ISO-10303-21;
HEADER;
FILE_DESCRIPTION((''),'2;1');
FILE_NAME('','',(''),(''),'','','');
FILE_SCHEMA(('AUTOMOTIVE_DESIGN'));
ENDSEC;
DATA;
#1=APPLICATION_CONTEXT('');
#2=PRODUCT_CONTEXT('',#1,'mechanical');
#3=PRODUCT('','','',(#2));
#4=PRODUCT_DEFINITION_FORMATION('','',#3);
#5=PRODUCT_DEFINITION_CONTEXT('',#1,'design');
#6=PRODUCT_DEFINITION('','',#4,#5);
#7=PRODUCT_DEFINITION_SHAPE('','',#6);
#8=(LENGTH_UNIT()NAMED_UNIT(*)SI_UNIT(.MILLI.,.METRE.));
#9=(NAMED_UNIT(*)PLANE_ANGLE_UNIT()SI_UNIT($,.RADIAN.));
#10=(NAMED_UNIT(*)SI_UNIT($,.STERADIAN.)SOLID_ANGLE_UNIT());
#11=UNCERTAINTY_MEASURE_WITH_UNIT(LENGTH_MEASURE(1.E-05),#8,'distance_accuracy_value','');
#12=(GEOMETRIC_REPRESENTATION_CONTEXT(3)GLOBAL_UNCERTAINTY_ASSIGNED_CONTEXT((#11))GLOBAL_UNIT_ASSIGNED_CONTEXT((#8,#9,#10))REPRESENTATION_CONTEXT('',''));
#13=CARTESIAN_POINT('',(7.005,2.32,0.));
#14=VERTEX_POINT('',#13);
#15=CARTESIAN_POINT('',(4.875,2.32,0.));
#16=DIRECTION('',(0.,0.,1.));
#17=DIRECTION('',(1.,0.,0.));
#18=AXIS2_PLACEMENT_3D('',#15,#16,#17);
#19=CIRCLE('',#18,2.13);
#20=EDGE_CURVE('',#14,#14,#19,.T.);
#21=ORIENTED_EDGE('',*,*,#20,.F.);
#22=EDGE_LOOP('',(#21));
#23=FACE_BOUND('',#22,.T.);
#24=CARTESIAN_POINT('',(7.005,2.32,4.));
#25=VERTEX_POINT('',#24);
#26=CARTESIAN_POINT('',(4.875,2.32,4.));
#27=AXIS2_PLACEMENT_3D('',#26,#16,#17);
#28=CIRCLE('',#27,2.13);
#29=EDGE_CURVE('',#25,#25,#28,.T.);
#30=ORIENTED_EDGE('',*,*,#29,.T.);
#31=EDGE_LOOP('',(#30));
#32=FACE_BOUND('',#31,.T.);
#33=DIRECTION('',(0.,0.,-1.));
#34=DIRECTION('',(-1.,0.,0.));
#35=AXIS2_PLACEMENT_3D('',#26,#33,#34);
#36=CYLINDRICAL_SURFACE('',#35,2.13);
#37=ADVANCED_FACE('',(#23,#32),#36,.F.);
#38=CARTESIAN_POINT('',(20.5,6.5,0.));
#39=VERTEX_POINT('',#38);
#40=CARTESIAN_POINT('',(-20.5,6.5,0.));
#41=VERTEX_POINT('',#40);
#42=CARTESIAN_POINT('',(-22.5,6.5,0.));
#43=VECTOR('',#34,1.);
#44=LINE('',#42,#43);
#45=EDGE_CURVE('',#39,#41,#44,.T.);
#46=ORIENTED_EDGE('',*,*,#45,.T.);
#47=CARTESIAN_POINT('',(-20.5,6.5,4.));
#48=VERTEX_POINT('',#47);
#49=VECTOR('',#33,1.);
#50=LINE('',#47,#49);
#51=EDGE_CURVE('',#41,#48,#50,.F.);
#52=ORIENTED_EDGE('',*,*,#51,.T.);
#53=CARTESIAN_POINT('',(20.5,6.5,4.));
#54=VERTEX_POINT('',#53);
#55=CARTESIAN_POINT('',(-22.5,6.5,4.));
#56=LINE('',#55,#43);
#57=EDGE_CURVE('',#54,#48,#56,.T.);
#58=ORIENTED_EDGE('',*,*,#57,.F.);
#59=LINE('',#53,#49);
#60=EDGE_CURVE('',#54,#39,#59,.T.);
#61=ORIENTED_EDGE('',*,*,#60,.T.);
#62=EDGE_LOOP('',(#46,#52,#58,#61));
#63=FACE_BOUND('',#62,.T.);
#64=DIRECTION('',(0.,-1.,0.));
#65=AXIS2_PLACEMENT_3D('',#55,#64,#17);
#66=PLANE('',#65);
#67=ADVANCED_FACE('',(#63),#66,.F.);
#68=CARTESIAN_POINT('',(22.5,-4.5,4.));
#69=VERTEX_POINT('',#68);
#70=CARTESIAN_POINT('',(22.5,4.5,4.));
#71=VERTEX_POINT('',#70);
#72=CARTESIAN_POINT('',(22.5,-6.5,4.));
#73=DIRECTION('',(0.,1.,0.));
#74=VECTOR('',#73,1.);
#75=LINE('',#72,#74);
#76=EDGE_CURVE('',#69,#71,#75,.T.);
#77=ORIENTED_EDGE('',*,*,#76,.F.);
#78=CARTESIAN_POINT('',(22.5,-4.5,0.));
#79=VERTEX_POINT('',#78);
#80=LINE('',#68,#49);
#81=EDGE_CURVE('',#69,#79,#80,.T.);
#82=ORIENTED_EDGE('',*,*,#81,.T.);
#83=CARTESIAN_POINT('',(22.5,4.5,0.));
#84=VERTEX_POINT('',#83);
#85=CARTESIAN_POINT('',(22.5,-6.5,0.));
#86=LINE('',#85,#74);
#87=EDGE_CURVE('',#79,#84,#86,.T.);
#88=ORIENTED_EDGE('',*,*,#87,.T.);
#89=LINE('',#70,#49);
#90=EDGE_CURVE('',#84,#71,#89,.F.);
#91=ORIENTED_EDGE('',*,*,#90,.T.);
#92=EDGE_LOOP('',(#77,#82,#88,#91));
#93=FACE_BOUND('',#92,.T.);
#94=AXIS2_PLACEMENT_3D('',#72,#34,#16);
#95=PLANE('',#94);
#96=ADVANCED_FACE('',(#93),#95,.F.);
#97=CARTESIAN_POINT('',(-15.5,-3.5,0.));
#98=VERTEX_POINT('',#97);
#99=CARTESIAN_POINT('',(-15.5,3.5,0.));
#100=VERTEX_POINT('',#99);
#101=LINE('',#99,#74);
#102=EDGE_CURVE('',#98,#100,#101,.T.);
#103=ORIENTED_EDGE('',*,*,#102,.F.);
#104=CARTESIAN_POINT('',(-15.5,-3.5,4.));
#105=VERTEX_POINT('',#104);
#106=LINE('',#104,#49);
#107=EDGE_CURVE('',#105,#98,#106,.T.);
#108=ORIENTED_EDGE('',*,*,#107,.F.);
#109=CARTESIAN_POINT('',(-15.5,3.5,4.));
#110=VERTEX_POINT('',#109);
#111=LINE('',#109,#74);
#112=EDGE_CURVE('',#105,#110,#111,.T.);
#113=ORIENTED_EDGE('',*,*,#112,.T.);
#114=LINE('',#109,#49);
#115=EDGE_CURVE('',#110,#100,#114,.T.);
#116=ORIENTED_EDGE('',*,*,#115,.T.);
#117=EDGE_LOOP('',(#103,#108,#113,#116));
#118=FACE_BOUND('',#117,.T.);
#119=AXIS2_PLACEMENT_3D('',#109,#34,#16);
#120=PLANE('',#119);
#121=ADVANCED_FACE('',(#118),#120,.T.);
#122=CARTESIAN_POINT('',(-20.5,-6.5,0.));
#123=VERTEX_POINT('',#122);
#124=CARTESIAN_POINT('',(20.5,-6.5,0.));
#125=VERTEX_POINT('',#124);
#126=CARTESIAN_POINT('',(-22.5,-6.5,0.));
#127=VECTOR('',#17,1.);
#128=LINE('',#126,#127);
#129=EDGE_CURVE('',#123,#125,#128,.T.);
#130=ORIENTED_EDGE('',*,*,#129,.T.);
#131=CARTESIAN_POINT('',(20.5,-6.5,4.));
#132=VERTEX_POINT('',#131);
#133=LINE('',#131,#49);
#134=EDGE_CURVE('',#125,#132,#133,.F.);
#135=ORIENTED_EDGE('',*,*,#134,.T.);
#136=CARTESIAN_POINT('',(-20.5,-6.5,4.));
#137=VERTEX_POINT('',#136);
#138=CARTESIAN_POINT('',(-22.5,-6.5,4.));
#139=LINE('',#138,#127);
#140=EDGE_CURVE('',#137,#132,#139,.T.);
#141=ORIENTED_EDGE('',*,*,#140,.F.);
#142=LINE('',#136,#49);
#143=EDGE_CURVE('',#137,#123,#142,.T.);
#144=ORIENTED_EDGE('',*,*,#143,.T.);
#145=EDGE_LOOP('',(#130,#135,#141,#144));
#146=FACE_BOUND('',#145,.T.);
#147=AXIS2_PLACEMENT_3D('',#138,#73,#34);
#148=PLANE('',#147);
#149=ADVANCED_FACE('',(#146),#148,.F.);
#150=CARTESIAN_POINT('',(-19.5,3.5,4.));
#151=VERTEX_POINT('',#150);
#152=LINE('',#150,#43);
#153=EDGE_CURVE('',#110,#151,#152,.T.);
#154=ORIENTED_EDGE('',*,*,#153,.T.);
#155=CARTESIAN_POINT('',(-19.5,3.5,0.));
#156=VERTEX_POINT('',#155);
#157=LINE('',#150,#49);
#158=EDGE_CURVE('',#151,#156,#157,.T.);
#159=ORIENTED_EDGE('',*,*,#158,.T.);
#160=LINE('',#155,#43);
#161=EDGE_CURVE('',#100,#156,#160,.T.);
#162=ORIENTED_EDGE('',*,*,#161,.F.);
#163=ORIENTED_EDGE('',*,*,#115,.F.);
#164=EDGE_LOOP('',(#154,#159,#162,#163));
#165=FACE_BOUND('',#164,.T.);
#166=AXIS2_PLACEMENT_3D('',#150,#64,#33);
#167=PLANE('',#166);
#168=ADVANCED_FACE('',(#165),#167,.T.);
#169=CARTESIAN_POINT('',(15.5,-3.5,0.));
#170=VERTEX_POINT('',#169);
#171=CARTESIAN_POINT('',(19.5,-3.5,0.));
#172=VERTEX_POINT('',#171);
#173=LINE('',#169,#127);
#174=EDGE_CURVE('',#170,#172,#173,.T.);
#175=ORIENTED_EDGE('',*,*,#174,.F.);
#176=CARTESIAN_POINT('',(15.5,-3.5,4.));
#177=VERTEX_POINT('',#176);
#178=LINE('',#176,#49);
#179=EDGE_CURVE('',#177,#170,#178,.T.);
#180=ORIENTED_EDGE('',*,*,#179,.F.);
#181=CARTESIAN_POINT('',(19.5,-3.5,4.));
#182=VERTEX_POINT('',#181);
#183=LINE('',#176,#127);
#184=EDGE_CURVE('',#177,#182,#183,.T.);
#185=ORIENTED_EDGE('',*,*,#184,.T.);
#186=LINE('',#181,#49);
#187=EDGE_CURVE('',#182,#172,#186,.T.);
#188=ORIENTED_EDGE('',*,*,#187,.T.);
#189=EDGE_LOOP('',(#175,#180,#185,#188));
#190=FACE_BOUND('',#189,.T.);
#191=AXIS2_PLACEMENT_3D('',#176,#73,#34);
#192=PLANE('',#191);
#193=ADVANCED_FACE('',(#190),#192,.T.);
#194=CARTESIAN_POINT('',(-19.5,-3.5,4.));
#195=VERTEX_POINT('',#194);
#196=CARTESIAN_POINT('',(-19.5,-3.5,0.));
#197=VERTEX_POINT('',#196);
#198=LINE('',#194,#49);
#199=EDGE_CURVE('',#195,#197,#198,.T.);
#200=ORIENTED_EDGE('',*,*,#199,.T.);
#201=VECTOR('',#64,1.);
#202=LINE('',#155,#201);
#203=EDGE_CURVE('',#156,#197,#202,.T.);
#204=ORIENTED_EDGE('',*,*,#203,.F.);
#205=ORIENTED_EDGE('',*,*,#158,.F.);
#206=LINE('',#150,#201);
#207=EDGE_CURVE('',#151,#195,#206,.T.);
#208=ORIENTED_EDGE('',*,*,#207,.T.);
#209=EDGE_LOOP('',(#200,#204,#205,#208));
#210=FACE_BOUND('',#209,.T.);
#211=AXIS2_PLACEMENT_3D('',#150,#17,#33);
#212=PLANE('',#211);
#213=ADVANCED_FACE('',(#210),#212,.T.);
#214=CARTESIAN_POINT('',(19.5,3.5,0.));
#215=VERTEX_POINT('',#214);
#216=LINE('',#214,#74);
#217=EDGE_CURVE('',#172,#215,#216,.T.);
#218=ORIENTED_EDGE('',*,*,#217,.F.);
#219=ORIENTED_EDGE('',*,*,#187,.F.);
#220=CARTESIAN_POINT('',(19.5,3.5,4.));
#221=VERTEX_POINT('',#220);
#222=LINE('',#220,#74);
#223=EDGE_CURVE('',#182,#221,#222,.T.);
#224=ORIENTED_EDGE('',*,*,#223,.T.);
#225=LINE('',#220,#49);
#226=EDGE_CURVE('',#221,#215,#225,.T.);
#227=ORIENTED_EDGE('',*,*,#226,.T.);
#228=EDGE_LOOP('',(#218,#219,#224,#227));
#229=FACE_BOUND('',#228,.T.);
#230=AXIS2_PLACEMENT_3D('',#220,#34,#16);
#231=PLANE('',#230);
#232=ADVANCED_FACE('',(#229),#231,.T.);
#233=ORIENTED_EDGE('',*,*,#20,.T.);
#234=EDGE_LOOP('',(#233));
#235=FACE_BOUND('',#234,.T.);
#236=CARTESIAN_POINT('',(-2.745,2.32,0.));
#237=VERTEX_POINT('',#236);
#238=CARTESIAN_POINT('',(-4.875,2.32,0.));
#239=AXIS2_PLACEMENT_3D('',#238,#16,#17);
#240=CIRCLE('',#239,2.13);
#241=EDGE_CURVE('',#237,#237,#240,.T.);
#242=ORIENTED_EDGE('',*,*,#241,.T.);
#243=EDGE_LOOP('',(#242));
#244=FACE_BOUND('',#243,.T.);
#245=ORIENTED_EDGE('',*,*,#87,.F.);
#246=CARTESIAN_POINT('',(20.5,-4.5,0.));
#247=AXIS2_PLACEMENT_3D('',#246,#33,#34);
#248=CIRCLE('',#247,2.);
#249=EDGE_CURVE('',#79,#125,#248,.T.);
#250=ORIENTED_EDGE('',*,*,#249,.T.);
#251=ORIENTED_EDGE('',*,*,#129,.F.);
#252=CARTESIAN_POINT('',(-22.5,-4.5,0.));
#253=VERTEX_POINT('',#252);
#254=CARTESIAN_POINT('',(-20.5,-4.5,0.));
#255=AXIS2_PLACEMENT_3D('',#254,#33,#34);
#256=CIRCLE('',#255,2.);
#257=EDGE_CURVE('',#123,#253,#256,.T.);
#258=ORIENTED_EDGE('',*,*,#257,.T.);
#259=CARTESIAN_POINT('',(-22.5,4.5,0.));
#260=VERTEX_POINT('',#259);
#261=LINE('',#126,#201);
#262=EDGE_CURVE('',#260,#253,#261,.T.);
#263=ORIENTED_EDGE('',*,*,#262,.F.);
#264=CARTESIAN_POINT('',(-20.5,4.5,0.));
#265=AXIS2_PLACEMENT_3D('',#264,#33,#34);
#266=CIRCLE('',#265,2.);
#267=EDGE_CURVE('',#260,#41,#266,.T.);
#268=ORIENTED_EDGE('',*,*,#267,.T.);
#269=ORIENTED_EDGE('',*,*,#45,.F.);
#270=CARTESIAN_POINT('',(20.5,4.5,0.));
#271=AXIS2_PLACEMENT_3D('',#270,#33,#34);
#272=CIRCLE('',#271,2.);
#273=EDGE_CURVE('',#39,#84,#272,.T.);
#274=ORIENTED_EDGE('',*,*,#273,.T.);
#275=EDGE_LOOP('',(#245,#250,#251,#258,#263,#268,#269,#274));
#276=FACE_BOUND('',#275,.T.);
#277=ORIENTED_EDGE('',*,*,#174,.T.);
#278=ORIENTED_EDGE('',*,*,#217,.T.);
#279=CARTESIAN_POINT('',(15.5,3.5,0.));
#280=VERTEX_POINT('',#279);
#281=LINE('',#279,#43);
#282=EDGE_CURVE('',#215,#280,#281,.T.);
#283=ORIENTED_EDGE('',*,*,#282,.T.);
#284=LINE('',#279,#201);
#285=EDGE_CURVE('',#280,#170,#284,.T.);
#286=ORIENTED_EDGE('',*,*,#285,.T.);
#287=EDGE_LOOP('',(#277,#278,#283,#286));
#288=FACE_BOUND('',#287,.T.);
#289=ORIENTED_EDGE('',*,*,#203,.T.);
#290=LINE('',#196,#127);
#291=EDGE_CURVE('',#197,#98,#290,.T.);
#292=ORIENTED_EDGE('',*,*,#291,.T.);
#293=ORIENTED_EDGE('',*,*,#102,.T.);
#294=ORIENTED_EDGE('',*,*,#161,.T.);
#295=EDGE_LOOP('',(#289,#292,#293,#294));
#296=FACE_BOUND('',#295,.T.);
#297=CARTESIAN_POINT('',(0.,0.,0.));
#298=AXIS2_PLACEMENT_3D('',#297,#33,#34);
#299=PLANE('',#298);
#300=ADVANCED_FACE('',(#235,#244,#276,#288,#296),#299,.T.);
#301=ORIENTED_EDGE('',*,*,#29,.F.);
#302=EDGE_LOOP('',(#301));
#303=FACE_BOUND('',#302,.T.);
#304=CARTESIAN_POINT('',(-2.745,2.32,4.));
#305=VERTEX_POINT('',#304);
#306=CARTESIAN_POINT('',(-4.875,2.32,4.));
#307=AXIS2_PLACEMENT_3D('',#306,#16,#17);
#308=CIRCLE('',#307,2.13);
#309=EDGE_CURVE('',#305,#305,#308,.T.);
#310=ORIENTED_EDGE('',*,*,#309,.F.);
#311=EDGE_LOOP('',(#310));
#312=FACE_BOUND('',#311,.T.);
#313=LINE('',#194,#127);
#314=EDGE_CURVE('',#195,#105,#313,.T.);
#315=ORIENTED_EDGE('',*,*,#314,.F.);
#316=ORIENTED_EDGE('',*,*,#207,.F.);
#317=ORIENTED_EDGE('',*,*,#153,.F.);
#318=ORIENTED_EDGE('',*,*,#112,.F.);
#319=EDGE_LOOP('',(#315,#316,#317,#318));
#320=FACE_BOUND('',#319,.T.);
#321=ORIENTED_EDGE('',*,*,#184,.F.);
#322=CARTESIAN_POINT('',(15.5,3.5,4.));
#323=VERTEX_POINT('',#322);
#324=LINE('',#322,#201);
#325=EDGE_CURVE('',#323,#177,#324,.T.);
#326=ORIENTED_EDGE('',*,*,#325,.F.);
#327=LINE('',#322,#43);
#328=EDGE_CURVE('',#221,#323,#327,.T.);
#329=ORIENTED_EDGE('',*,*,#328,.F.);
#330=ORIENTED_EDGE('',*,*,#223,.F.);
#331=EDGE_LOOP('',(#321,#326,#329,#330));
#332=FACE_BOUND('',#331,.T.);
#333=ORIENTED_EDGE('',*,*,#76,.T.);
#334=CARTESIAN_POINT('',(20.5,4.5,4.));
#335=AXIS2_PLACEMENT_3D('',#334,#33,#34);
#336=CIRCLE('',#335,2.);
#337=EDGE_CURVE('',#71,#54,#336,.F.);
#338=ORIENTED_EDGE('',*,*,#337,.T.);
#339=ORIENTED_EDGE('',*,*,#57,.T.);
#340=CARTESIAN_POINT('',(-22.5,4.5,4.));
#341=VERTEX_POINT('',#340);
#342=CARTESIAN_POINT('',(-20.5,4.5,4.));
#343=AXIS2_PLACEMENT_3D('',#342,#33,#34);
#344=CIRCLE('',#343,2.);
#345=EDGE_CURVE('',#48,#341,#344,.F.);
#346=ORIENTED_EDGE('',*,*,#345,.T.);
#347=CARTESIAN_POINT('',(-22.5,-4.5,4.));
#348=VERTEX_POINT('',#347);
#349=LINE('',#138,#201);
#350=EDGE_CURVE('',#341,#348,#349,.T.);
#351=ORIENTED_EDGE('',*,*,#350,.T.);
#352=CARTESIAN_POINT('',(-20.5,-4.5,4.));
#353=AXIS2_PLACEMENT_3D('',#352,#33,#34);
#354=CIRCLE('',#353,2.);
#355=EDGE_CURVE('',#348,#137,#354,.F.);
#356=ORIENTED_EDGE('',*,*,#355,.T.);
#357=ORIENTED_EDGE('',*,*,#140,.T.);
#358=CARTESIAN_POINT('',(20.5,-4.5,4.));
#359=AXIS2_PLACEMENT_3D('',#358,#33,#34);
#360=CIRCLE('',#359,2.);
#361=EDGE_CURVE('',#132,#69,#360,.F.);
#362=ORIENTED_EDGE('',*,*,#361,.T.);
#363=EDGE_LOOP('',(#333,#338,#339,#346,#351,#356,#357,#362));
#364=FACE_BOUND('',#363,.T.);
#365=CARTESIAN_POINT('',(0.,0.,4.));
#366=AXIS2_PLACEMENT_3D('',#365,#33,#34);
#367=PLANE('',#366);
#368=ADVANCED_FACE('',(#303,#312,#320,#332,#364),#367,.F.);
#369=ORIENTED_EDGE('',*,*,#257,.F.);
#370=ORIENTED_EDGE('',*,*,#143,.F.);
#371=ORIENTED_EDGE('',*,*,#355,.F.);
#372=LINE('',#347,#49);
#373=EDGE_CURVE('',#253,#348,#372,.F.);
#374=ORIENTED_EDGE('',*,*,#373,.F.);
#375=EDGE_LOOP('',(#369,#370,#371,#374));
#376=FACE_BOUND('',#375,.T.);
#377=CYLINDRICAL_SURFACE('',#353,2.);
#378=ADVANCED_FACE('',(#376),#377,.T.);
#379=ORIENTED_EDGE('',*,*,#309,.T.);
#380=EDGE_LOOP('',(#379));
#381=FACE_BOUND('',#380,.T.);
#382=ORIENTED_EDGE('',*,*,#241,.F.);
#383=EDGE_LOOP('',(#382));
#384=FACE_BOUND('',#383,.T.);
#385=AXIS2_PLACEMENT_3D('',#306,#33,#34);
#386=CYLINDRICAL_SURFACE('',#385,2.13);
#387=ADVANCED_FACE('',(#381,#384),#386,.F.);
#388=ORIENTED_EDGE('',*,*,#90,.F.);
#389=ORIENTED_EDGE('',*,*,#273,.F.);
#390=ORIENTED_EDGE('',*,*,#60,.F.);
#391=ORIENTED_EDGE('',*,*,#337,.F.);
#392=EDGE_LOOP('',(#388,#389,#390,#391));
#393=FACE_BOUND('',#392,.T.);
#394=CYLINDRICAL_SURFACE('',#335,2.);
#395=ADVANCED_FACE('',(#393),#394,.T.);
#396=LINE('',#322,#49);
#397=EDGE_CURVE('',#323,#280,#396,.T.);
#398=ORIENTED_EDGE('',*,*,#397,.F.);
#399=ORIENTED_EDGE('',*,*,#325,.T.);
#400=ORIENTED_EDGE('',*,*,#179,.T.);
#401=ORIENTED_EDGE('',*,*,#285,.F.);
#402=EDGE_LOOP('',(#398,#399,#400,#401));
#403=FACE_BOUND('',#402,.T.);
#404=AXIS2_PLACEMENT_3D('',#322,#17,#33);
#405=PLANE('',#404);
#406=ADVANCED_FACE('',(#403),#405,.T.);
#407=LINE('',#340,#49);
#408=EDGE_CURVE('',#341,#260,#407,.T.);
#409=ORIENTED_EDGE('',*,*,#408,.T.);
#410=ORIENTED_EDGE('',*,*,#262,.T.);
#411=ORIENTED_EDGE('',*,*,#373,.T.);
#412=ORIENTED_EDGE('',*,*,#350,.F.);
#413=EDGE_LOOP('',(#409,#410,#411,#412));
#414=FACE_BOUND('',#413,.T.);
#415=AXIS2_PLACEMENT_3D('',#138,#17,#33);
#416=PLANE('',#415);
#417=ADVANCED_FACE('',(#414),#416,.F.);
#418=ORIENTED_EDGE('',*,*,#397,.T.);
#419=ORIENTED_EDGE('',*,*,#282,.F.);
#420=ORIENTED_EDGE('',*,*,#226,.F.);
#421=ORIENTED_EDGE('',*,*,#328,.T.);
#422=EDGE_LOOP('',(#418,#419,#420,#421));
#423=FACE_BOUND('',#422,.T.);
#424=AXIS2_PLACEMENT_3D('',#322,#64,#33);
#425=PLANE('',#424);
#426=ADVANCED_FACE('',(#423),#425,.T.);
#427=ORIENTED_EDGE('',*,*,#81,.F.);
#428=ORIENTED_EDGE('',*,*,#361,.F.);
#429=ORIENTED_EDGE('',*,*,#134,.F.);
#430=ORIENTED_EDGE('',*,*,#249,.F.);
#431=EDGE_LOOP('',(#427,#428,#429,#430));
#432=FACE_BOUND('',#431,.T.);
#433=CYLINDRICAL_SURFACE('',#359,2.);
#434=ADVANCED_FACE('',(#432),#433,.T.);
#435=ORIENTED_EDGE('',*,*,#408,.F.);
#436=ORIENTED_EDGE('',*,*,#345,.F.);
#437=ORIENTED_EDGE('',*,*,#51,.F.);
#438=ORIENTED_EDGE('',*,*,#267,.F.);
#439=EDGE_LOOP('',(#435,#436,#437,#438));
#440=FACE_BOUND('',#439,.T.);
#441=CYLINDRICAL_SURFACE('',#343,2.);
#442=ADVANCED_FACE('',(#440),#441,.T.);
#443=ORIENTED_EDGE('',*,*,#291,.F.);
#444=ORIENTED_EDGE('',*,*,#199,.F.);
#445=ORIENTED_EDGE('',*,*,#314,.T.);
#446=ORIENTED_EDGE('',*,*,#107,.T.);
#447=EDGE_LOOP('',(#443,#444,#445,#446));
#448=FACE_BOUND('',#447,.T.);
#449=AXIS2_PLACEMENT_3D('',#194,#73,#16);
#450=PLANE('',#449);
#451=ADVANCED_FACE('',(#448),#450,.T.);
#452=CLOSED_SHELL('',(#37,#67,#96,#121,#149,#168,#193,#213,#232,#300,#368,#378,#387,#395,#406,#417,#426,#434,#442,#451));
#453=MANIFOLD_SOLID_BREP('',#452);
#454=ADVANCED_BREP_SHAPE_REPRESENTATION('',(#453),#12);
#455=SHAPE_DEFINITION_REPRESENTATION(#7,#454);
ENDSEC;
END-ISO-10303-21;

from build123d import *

# Parameters (mm, degrees)
ESQUISSE1_W        = 45
ESQUISSE1_H        = 13
ESQUISSE1_R        = 2.13
ESQUISSE1_W_2      = 4
ESQUISSE1_H_2      = 7
BOSS_EXTRU_1_DEPTH = 4
CONG_1_R           = 2


with BuildPart() as part:
    # Esquisse1 → Boss.-Extru.1 (new body)
    with BuildSketch(Plane.XY):
        Rectangle(ESQUISSE1_W, ESQUISSE1_H)
        with Locations((-4.875, 2.32)):
            Circle(ESQUISSE1_R, mode=Mode.SUBTRACT)
        with Locations((4.875, 2.32)):
            Circle(ESQUISSE1_R, mode=Mode.SUBTRACT)
        with Locations((-17.5, 0)):
            Rectangle(ESQUISSE1_W_2, ESQUISSE1_H_2, mode=Mode.SUBTRACT)
        with Locations((17.5, 0)):
            Rectangle(ESQUISSE1_W_2, ESQUISSE1_H_2, mode=Mode.SUBTRACT)
    extrude(amount=BOSS_EXTRU_1_DEPTH)

    # Congé1
    cong_1_edges = [part.edges().sort_by_distance(p)[0] for p in [
        (-22.5, 6.5, 2),
        (22.5, 6.5, 2),
        (22.5, -6.5, 2),
        (-22.5, -6.5, 2),
    ]]
    fillet(cong_1_edges, radius=CONG_1_R)


solid = part.part
